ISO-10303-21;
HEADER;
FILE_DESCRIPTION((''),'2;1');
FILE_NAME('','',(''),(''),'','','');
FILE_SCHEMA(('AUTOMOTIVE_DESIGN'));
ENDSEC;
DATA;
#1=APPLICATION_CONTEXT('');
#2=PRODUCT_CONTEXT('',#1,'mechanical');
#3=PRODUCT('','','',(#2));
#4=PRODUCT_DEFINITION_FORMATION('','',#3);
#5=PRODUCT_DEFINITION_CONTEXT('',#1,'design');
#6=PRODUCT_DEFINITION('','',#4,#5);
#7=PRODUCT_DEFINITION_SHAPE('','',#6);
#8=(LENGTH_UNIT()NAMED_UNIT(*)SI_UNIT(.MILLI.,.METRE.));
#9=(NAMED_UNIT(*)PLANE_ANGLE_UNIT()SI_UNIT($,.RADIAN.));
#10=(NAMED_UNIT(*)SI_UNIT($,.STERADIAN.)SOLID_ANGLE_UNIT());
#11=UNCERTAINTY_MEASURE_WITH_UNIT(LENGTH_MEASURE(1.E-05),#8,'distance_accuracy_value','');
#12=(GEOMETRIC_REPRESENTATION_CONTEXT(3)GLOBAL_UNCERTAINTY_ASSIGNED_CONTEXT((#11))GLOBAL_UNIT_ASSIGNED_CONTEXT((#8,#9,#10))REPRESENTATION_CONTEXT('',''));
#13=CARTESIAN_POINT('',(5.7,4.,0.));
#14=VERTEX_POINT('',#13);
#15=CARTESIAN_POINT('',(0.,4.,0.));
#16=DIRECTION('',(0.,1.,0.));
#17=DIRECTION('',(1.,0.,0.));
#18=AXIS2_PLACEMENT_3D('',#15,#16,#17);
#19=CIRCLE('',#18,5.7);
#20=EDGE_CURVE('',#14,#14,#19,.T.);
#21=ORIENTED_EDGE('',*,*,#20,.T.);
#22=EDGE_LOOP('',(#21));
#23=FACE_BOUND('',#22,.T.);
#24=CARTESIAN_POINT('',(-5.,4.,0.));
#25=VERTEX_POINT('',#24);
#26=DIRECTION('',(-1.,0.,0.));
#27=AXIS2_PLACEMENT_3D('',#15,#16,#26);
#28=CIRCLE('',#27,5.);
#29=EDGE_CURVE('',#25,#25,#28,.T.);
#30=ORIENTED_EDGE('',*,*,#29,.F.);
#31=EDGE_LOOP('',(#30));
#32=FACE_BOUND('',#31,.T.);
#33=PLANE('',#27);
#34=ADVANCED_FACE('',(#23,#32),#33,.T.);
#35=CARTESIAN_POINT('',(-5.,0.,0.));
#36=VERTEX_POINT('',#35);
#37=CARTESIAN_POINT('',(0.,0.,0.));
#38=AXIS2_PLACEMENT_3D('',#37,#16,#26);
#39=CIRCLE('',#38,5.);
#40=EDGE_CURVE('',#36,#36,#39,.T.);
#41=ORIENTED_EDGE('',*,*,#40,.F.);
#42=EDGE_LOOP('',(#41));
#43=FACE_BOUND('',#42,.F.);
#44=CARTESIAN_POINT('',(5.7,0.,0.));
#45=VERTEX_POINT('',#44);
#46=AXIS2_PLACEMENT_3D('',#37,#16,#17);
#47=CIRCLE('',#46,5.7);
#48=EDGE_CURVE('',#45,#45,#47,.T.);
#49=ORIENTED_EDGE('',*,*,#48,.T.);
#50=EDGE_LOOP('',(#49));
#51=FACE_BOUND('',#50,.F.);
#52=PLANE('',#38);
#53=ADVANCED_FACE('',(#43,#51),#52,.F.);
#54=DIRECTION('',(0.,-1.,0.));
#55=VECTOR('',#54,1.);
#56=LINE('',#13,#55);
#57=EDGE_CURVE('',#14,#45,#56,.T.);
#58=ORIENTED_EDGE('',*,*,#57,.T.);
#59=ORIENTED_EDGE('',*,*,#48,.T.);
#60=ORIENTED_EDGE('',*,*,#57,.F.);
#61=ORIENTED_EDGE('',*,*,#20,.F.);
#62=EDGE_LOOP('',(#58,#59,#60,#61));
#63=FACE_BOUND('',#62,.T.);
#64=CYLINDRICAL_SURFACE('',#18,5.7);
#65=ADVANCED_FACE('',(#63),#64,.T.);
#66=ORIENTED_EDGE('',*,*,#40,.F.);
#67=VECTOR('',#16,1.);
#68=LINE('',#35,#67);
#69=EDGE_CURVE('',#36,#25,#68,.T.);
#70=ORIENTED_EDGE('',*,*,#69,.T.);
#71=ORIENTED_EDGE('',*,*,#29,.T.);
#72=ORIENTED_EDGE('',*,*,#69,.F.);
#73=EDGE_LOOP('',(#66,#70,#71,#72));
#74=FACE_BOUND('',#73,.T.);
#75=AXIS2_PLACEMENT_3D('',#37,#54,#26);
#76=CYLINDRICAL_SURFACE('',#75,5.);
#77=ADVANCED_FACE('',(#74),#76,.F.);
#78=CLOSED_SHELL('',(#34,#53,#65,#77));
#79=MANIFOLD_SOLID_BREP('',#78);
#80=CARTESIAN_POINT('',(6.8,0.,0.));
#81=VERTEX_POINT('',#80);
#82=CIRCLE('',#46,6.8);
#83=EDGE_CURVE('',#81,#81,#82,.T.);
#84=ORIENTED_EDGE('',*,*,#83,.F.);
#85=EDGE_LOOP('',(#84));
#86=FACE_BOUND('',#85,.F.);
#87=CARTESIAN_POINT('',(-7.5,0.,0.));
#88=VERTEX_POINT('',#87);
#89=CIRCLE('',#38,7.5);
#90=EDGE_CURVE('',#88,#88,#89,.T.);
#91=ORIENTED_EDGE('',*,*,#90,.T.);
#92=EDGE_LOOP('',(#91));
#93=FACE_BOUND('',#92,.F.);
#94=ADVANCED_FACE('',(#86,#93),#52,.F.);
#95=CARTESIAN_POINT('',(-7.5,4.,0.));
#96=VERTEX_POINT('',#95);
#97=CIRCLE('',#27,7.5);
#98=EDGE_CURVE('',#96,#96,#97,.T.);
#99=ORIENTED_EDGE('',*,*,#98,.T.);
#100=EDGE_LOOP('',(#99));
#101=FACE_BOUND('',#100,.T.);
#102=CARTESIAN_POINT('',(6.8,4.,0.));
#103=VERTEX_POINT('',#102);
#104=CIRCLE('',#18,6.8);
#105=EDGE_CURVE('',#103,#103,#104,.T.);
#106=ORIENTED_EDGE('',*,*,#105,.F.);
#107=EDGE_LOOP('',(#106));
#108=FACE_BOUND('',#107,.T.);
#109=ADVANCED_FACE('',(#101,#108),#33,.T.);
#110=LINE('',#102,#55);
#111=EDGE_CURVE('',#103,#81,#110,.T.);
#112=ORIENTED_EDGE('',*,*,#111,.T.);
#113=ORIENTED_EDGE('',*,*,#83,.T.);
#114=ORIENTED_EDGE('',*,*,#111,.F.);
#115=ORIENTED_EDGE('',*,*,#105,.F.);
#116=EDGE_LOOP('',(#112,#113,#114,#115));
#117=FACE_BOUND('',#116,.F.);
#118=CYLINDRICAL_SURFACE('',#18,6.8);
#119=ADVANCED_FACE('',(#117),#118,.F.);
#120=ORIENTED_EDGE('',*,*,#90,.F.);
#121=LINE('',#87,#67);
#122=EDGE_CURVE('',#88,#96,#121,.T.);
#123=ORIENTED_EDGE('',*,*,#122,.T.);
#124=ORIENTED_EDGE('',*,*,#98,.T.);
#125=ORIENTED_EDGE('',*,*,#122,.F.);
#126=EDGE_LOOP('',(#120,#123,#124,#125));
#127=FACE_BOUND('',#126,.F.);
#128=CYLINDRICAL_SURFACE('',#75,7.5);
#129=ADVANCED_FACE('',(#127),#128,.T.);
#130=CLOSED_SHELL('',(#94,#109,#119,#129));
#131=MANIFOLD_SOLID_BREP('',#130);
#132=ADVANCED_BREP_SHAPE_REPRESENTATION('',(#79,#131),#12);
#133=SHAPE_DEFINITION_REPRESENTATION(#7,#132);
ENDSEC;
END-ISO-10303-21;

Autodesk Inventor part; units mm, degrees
ref_plane "YZ Plane" through (0, 0, 0) normal (1, 0, 0) x (0, 1, 0)
ref_plane "XZ Plane" through (0, 0, 0) normal (0, 1, 0) x (-1, 0, 0)
ref_plane "XY Plane" through (0, 0, 0) normal (0, 0, 1) x (1, 0, 0)
sketch "Sketch1" plane through (0, 0, 0) normal (0, 1, 0) x (-1, 0, 0)
  circle A0 centre (0, 0) radius 5
  circle A1 centre (0, 0) radius 7.5
  dimension "d0" = 10
  dimension "d1" = 15
extrude "Extrusion1" add sketch "Sketch1" along normal blind 4
sketch "Sketch2" plane through (0, 4, 0) normal (0, 1, 0) x (1, 0, 0)
  circle A0 centre (0, 0) radius 5
  circle A1 centre (0, 0) radius 7.5
  circle A2 centre (0, 0) radius 6.8
  circle A3 centre (0, 0) radius 5.7
  dimension "d4" = 0.7
  dimension "d5" = 0.7
extrude "Extrusion2" cut sketch "Sketch2" against normal blind 4 contours A2
properties part number "10x15x4 bearing"
